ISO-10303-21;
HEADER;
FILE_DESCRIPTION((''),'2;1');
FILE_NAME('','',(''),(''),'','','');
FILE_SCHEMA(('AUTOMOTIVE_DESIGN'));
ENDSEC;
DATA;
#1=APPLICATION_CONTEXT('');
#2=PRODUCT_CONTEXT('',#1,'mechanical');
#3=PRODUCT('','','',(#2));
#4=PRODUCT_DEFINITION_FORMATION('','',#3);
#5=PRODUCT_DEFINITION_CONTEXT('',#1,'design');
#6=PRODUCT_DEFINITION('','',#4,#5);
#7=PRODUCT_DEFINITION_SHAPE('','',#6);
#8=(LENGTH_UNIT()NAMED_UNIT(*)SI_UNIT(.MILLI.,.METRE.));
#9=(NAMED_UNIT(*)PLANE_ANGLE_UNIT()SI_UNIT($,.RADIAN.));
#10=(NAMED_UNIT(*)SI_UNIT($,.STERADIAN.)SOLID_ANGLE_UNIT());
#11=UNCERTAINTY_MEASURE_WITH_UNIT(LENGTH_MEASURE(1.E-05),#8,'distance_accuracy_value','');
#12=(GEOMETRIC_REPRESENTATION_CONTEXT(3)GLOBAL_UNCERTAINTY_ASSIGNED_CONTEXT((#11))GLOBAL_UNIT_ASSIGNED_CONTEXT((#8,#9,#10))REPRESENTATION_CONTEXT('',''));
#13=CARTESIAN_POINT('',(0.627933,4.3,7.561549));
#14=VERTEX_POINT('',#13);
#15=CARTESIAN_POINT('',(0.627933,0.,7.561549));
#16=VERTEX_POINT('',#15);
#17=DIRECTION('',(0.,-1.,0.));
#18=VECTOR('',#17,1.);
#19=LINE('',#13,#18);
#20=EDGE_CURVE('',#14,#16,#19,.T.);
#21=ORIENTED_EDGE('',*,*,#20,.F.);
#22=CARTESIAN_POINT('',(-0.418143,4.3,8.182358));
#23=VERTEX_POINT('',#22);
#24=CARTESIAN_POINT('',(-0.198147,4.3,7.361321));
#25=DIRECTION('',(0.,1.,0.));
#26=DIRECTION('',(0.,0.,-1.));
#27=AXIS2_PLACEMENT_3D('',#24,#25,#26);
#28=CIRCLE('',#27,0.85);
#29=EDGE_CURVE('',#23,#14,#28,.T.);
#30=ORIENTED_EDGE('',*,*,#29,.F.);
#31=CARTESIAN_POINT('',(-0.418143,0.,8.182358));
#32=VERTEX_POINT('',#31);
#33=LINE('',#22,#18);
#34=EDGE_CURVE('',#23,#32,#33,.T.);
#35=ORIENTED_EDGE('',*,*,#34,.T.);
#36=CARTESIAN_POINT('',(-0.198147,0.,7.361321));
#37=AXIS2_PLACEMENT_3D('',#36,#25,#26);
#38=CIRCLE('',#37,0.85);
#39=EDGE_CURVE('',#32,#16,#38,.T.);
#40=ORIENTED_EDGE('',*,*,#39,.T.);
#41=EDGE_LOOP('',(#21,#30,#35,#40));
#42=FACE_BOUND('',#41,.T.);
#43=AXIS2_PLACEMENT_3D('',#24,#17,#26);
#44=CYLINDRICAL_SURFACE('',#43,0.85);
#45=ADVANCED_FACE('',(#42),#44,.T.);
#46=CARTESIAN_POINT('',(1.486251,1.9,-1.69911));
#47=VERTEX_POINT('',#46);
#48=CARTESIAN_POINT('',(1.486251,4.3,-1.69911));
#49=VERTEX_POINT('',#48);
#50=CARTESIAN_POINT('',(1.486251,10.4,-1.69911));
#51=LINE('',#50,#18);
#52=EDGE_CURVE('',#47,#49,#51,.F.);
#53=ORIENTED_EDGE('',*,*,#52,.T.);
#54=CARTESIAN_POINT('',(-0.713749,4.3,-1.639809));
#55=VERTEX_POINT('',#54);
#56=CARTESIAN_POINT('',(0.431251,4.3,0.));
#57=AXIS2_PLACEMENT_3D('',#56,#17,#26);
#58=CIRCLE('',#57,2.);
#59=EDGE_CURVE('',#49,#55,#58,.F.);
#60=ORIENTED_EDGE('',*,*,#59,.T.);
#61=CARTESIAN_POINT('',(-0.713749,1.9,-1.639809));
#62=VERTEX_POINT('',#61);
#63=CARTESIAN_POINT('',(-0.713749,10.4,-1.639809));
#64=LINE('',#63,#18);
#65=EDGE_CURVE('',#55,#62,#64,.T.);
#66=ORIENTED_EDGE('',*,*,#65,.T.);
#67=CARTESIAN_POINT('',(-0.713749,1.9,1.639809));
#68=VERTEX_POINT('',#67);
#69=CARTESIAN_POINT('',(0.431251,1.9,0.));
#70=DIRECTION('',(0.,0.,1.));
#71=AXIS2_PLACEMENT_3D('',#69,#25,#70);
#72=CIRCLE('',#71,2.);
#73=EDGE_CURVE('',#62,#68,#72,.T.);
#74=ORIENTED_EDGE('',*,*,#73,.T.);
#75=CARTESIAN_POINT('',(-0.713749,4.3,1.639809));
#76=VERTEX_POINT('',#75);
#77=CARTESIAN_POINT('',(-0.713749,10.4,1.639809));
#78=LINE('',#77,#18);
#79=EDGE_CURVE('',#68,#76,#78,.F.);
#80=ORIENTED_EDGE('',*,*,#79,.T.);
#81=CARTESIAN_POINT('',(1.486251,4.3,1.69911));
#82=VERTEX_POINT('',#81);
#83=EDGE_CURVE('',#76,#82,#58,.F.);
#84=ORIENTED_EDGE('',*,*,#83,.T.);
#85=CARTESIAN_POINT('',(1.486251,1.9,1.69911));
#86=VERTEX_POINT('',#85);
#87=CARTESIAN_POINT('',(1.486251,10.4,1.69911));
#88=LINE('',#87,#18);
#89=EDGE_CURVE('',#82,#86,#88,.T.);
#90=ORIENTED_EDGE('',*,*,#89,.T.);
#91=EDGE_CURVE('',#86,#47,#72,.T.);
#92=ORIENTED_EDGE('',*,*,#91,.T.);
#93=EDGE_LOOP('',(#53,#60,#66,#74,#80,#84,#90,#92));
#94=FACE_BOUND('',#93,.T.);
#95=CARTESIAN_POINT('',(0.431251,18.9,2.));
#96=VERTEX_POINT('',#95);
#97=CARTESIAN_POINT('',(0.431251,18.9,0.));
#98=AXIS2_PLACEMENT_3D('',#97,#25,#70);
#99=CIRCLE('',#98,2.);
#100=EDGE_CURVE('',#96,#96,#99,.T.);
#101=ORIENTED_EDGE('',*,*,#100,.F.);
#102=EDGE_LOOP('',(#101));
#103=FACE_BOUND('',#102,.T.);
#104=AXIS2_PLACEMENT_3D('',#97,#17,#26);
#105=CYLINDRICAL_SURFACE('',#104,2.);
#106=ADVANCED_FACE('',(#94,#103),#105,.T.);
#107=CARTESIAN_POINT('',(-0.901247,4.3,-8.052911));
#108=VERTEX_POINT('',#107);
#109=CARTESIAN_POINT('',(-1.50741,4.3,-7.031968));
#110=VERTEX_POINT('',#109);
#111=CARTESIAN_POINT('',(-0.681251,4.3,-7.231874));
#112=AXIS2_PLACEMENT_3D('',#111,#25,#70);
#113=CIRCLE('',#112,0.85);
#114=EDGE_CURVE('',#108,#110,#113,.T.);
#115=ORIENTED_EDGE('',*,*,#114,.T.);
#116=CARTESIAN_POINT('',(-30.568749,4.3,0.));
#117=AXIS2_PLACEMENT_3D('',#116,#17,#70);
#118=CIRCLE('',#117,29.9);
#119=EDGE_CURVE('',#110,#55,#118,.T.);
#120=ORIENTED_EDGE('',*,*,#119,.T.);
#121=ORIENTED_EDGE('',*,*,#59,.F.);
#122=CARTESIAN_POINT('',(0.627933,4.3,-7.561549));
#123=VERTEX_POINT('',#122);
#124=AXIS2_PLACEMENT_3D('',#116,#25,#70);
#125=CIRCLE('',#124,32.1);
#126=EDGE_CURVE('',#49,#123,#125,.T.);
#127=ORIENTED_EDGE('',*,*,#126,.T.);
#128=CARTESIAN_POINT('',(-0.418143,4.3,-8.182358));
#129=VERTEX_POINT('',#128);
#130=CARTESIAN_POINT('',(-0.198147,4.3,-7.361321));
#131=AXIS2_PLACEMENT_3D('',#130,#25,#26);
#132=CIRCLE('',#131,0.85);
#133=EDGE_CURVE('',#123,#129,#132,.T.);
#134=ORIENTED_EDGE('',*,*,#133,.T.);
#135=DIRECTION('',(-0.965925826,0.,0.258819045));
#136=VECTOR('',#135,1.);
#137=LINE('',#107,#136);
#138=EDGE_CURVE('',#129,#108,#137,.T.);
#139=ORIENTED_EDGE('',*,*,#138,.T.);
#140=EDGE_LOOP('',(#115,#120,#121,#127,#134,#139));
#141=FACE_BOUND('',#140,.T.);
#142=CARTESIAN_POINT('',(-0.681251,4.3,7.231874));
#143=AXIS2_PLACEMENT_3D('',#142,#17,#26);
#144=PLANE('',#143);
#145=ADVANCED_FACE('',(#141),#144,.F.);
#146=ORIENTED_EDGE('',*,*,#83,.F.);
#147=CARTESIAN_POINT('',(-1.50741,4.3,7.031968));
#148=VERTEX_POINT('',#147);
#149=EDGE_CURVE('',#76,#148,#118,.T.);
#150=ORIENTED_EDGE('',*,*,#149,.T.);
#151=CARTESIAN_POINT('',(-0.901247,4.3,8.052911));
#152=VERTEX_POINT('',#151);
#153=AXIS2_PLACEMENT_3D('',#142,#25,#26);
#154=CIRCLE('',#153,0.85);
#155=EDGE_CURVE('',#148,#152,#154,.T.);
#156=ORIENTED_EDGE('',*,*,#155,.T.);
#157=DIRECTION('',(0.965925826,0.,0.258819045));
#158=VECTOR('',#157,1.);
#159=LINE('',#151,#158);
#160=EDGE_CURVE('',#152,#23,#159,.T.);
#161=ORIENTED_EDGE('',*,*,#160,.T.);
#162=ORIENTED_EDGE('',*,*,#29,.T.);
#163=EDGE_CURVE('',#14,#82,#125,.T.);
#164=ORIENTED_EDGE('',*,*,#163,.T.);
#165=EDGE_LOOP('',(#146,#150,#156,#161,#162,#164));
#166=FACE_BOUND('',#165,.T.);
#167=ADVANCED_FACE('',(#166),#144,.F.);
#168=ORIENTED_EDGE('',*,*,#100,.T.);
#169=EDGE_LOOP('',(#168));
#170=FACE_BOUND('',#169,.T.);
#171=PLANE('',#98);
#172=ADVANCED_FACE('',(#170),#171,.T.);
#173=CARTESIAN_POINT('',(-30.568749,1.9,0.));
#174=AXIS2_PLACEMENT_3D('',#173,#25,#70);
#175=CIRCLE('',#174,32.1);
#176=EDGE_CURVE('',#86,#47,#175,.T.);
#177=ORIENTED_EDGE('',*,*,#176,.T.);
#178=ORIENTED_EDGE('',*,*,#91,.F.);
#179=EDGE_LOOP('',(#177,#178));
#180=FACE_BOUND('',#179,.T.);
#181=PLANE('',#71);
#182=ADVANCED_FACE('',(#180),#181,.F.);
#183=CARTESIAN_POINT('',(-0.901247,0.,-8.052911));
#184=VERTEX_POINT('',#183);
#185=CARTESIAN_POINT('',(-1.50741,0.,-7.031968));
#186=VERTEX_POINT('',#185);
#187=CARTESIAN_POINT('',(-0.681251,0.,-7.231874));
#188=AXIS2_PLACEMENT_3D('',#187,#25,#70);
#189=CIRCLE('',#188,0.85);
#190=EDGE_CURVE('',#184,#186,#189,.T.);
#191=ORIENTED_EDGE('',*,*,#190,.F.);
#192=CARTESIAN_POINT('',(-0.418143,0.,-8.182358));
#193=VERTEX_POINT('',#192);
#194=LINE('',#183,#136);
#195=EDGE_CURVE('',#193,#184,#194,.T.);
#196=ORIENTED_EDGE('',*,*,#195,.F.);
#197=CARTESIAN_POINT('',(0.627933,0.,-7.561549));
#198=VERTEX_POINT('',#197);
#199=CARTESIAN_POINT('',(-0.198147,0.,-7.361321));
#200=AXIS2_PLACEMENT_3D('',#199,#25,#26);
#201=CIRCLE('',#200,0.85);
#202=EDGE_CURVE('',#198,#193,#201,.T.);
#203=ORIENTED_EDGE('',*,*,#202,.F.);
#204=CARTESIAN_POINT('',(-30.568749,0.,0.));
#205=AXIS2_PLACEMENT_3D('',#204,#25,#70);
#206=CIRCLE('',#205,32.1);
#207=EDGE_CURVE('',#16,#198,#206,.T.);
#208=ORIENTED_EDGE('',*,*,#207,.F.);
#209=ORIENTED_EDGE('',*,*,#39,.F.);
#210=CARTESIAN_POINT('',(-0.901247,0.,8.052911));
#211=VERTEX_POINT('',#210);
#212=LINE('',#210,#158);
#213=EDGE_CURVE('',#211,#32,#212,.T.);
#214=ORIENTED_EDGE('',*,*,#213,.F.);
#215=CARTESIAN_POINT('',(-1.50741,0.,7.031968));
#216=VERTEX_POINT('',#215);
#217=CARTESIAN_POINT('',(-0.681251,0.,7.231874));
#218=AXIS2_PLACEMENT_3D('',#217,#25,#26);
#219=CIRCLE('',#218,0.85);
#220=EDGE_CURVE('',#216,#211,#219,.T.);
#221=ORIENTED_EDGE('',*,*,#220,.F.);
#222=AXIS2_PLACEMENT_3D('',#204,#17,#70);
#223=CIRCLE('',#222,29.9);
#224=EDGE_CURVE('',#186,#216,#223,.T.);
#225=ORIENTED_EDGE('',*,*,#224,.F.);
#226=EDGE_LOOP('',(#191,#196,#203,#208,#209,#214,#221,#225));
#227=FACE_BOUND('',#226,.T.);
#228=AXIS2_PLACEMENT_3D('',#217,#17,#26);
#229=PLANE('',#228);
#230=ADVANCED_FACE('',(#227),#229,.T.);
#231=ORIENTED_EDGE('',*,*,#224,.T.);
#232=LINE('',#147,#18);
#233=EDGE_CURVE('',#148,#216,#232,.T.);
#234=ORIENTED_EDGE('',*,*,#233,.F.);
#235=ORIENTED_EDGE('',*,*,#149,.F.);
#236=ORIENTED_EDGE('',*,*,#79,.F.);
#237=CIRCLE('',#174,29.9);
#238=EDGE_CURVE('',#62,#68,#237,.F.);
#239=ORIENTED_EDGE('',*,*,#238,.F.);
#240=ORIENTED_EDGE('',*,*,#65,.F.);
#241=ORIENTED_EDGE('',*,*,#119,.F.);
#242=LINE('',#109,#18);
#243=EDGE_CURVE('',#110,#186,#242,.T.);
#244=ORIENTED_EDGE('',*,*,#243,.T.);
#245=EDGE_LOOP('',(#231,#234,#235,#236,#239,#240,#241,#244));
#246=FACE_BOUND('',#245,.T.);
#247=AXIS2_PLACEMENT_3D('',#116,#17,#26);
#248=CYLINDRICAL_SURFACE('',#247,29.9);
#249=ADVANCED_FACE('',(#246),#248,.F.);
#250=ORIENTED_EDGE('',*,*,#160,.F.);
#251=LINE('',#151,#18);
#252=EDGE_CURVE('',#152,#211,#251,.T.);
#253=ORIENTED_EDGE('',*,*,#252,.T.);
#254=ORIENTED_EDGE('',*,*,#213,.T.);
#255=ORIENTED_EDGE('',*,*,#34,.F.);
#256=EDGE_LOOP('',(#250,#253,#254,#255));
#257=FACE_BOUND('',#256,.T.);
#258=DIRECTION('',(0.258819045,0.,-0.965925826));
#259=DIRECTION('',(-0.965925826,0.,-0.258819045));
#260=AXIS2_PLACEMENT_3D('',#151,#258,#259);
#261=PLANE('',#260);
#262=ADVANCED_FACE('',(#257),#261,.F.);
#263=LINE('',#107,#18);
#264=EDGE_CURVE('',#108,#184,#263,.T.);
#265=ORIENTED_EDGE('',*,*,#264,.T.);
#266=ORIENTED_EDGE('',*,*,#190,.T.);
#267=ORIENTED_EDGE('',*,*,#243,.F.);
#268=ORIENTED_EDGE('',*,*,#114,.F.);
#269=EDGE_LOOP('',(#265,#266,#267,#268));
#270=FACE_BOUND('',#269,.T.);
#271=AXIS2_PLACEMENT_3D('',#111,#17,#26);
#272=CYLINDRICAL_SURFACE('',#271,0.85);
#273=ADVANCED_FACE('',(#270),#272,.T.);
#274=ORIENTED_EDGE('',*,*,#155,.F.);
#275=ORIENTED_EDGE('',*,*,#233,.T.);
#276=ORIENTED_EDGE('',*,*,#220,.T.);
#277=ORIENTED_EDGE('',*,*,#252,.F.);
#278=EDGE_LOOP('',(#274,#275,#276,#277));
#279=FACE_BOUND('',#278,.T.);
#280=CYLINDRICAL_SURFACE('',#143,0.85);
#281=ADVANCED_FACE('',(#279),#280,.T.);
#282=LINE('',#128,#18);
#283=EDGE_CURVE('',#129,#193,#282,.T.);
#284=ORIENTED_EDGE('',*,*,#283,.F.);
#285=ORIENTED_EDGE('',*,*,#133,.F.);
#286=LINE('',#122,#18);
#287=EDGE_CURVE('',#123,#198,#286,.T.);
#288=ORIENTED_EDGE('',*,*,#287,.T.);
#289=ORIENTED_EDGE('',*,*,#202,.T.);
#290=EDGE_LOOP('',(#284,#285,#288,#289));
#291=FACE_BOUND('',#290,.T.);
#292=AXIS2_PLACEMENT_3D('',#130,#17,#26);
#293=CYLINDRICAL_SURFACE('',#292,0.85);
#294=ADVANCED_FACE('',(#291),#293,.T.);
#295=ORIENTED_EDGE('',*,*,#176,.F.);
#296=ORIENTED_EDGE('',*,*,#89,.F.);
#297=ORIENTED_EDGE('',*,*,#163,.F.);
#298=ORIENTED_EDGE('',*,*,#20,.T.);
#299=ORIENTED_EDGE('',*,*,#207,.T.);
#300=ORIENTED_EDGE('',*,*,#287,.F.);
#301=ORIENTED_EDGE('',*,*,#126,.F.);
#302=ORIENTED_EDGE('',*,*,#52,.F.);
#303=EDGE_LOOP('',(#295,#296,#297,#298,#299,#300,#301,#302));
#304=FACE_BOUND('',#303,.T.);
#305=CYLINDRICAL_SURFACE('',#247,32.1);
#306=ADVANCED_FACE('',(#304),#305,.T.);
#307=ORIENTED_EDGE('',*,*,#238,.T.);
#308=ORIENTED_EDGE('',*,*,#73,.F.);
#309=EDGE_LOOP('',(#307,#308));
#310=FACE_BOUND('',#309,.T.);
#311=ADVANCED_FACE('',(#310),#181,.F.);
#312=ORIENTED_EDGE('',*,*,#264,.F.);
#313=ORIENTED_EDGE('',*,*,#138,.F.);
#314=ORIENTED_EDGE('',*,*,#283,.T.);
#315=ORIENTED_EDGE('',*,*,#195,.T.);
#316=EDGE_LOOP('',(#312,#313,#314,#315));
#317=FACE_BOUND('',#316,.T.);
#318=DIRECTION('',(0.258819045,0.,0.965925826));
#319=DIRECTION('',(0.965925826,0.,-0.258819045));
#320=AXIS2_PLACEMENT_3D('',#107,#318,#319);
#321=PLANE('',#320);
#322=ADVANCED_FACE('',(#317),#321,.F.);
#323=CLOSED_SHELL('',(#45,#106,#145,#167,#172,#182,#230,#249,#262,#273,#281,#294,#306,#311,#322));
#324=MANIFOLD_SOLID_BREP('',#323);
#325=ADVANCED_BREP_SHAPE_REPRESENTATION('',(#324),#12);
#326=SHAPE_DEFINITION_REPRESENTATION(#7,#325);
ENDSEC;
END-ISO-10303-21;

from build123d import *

# Parameters (mm, degrees)
EXTRUDE_1_DEPTH = 4.3
SKETCH_2_R      = 2
EXTRUDE_2_DEPTH = 17


with BuildPart() as part:
    # Эскиз1 → Бобышка-Вытянуть1 (new body)
    with BuildSketch(Plane(origin=(0, 0, 0), x_dir=(1, 0, 0), z_dir=(0, 1, 0))):
        with BuildLine():
            Line((-0.901247468, -8.05291062), (-0.418143138, -8.182358035))
            ThreePointArc((-0.418143138, -8.182358035), (0.23565654, -8.092289298), (0.627933419, -7.561549016))
            ThreePointArc((0.627933419, -7.561549016), (1.53125128, 0), (0.627933419, 7.561549016))
            ThreePointArc((0.627933419, 7.561549016), (0.23565654, 8.092289298), (-0.418143138, 8.182358035))
            Line((-0.418143138, 8.182358035), (-0.901247468, 8.05291062))
            ThreePointArc((-0.901247468, 8.05291062), (-1.412134812, 7.665819819), (-1.507409746, 7.031968217))
            ThreePointArc((-1.507409746, 7.031968217), (-0.66874872, 0), (-1.507409746, -7.031968217))
            ThreePointArc((-1.507409746, -7.031968217), (-1.412134812, -7.665819819), (-0.901247468, -8.05291062))
        make_face()
    extrude(amount=EXTRUDE_1_DEPTH)

    # Эскиз2 → Бобышка-Вытянуть2 (add)
    with BuildSketch(Plane(origin=(0, 1.9, 0), x_dir=(1, 0, 0), z_dir=(0, 1, 0))):
        with Locations(Location((0.43125128, 0, 0), (0, 0, 58.163304996))):
            Circle(SKETCH_2_R)
    extrude(amount=EXTRUDE_2_DEPTH)


solid = part.part
